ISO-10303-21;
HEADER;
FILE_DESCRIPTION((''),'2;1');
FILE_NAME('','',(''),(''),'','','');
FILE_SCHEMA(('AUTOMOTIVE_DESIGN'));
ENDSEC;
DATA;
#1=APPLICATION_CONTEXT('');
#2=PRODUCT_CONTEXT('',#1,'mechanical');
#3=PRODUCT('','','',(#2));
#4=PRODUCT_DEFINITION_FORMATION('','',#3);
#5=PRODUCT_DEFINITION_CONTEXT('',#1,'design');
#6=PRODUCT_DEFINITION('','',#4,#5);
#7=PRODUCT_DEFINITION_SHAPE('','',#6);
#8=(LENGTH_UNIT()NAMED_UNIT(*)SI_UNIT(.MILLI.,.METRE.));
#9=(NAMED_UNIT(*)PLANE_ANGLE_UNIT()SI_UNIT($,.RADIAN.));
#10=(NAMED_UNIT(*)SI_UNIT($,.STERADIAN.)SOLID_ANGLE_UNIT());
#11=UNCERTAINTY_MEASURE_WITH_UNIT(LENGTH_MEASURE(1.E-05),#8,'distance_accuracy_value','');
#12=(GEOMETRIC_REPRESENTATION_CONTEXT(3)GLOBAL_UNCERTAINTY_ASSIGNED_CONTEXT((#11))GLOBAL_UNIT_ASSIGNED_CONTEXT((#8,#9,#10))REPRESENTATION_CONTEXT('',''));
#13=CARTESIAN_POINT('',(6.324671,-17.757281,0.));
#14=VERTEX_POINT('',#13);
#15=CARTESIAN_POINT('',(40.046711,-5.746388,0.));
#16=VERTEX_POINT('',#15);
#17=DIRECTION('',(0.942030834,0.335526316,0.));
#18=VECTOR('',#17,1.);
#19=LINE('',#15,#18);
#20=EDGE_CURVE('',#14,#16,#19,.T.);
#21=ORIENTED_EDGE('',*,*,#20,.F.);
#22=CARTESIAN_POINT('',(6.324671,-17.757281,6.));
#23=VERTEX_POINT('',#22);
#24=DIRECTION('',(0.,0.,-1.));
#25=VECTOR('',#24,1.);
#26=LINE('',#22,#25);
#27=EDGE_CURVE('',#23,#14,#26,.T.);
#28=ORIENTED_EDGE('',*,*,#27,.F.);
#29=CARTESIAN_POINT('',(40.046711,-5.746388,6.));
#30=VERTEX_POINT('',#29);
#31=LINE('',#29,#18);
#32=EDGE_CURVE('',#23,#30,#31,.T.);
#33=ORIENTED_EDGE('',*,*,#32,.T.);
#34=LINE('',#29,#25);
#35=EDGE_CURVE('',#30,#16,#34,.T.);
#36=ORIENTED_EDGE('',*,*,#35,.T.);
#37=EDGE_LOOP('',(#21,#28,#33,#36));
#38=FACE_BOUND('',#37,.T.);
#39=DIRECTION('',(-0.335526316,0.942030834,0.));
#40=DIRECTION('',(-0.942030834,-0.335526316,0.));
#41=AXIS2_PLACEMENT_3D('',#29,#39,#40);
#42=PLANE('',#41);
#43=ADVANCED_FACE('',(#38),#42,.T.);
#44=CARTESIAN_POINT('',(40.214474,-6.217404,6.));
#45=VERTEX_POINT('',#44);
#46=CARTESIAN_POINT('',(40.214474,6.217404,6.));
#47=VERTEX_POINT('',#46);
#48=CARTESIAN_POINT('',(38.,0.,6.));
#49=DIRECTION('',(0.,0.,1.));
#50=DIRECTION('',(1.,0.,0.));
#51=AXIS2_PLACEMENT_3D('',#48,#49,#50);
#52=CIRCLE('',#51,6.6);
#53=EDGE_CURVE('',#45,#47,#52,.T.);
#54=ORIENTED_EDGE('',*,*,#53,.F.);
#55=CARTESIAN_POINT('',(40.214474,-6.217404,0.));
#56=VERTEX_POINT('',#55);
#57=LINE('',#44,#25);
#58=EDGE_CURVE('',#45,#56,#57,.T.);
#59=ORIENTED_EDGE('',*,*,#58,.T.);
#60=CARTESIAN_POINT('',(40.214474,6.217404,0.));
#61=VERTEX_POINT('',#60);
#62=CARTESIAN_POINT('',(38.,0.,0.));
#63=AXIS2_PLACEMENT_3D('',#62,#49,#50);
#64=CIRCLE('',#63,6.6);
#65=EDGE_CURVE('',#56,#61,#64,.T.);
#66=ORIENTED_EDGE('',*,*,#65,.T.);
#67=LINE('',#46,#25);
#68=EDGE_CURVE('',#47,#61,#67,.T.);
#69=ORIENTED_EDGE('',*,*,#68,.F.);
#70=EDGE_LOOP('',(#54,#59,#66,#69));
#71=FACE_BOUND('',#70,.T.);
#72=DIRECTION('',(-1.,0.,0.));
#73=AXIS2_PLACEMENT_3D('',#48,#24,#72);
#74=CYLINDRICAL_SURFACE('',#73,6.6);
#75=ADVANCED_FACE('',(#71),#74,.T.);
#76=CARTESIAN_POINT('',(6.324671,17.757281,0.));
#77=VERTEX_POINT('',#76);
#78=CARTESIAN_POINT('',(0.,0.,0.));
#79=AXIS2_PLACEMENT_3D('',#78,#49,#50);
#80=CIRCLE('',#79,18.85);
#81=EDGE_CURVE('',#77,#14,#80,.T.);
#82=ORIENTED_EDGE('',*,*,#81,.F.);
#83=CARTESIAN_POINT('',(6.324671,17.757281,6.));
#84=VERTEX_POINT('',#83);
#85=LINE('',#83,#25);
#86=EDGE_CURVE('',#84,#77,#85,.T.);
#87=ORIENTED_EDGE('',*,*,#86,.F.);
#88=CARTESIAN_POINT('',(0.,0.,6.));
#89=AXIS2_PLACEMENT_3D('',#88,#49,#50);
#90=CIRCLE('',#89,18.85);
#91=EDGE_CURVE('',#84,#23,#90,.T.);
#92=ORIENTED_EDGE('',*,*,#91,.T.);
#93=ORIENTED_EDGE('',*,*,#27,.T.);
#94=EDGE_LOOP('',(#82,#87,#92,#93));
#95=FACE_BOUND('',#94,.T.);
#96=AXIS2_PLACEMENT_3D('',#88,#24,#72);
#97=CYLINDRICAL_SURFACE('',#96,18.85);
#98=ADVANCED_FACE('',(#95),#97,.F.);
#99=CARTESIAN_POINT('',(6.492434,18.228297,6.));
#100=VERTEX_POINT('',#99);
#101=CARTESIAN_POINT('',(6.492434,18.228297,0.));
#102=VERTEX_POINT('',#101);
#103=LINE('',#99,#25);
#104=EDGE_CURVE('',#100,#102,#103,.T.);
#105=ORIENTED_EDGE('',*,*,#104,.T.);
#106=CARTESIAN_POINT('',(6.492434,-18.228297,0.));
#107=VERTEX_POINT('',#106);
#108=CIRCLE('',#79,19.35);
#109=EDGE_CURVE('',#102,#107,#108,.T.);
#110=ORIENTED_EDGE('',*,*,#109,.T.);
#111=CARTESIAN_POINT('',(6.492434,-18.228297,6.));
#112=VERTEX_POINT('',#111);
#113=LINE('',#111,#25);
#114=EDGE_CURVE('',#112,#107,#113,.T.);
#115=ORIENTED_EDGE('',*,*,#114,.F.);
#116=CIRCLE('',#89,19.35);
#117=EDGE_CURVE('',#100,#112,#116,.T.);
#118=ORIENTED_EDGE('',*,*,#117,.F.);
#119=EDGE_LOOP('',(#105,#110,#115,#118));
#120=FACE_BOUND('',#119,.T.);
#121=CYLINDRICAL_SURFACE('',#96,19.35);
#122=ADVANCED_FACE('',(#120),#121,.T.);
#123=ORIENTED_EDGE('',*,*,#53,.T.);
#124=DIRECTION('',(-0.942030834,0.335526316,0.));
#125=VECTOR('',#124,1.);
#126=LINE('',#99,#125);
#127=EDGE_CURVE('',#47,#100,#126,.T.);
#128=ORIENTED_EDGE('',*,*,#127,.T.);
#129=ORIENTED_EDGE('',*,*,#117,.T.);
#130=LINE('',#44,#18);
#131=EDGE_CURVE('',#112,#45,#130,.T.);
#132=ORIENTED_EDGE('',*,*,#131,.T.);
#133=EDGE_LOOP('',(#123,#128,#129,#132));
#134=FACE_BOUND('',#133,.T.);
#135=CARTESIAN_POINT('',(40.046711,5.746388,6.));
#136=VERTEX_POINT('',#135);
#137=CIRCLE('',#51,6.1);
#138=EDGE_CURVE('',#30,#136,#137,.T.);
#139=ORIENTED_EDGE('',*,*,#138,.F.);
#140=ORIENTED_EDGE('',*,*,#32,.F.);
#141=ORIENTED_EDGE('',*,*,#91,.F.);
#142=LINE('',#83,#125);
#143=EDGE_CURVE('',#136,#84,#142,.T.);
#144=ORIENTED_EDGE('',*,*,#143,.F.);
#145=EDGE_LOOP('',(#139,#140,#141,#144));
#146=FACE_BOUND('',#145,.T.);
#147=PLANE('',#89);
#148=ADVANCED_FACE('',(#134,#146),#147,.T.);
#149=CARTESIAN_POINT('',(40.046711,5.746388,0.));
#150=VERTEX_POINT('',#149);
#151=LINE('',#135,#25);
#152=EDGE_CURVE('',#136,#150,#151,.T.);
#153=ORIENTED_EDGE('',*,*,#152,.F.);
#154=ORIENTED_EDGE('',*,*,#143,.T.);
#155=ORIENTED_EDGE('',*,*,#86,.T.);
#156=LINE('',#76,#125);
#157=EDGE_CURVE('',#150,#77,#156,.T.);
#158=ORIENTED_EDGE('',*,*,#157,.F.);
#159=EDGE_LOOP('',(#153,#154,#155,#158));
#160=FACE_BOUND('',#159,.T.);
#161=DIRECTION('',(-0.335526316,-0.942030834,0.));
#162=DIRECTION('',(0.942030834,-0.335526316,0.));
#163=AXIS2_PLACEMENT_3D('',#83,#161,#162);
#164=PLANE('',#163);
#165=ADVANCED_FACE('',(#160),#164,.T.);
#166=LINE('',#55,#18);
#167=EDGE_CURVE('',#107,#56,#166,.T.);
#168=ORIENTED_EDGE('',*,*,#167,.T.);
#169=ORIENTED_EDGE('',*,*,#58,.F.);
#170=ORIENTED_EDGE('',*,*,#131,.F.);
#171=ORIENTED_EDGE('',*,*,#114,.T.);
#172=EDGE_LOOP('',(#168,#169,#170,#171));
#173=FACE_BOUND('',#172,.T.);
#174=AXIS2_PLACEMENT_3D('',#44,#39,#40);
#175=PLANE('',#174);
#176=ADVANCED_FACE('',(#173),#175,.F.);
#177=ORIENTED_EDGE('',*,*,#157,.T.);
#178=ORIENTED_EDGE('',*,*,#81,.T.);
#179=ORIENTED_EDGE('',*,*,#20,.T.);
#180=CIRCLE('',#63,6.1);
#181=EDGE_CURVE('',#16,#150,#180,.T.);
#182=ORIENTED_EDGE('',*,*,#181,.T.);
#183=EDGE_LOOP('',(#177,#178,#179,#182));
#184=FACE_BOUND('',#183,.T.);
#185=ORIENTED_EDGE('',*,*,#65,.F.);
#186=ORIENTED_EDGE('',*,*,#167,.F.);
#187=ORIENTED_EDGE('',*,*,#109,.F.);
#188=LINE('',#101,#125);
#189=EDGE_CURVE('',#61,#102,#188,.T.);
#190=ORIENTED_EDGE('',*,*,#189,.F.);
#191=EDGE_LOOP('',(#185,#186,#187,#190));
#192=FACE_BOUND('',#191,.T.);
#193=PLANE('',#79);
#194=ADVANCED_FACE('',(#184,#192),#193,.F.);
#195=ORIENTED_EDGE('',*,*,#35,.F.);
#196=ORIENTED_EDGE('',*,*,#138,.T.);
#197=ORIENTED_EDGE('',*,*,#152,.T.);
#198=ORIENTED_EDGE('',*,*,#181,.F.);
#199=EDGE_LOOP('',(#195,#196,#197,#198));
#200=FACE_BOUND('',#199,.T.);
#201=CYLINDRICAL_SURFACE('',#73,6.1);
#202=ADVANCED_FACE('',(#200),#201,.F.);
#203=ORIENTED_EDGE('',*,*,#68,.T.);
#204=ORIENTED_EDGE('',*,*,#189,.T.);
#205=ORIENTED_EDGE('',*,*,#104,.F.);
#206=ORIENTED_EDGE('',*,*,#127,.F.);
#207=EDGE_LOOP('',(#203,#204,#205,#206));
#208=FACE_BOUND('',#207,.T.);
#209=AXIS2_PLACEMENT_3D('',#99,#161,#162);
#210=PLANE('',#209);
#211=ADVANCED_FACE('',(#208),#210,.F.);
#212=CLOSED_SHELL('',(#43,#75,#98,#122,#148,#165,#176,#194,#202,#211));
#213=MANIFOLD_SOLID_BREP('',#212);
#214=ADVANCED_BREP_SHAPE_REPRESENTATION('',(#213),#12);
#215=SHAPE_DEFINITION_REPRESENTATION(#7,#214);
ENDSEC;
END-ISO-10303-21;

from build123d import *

# Parameters (mm, degrees)
SALIENTE_EXTRUIR1_DEPTH = 6


with BuildPart() as part:
    # Croquis1 → Saliente-Extruir1 (new body)
    with BuildSketch(Plane.XY):
        with BuildLine():
            Line((40.214473684, -6.217403502), (6.492434211, -18.22829663))
            ThreePointArc((6.492434211, -18.22829663), (-19.35, 0), (6.492434211, 18.22829663))
            Line((6.492434211, 18.22829663), (40.214473684, 6.217403502))
            ThreePointArc((40.214473684, 6.217403502), (44.6, 0), (40.214473684, -6.217403502))
        make_face()
        with BuildLine():
            Line((6.324671053, 17.757281213), (40.046710526, 5.746388085))
            ThreePointArc((40.046710526, 5.746388085), (44.1, 0), (40.046710526, -5.746388085))
            Line((40.046710526, -5.746388085), (6.324671053, -17.757281213))
            ThreePointArc((6.324671053, -17.757281213), (-18.85, 0), (6.324671053, 17.757281213))
        make_face(mode=Mode.SUBTRACT)
    extrude(amount=SALIENTE_EXTRUIR1_DEPTH)


solid = part.part
